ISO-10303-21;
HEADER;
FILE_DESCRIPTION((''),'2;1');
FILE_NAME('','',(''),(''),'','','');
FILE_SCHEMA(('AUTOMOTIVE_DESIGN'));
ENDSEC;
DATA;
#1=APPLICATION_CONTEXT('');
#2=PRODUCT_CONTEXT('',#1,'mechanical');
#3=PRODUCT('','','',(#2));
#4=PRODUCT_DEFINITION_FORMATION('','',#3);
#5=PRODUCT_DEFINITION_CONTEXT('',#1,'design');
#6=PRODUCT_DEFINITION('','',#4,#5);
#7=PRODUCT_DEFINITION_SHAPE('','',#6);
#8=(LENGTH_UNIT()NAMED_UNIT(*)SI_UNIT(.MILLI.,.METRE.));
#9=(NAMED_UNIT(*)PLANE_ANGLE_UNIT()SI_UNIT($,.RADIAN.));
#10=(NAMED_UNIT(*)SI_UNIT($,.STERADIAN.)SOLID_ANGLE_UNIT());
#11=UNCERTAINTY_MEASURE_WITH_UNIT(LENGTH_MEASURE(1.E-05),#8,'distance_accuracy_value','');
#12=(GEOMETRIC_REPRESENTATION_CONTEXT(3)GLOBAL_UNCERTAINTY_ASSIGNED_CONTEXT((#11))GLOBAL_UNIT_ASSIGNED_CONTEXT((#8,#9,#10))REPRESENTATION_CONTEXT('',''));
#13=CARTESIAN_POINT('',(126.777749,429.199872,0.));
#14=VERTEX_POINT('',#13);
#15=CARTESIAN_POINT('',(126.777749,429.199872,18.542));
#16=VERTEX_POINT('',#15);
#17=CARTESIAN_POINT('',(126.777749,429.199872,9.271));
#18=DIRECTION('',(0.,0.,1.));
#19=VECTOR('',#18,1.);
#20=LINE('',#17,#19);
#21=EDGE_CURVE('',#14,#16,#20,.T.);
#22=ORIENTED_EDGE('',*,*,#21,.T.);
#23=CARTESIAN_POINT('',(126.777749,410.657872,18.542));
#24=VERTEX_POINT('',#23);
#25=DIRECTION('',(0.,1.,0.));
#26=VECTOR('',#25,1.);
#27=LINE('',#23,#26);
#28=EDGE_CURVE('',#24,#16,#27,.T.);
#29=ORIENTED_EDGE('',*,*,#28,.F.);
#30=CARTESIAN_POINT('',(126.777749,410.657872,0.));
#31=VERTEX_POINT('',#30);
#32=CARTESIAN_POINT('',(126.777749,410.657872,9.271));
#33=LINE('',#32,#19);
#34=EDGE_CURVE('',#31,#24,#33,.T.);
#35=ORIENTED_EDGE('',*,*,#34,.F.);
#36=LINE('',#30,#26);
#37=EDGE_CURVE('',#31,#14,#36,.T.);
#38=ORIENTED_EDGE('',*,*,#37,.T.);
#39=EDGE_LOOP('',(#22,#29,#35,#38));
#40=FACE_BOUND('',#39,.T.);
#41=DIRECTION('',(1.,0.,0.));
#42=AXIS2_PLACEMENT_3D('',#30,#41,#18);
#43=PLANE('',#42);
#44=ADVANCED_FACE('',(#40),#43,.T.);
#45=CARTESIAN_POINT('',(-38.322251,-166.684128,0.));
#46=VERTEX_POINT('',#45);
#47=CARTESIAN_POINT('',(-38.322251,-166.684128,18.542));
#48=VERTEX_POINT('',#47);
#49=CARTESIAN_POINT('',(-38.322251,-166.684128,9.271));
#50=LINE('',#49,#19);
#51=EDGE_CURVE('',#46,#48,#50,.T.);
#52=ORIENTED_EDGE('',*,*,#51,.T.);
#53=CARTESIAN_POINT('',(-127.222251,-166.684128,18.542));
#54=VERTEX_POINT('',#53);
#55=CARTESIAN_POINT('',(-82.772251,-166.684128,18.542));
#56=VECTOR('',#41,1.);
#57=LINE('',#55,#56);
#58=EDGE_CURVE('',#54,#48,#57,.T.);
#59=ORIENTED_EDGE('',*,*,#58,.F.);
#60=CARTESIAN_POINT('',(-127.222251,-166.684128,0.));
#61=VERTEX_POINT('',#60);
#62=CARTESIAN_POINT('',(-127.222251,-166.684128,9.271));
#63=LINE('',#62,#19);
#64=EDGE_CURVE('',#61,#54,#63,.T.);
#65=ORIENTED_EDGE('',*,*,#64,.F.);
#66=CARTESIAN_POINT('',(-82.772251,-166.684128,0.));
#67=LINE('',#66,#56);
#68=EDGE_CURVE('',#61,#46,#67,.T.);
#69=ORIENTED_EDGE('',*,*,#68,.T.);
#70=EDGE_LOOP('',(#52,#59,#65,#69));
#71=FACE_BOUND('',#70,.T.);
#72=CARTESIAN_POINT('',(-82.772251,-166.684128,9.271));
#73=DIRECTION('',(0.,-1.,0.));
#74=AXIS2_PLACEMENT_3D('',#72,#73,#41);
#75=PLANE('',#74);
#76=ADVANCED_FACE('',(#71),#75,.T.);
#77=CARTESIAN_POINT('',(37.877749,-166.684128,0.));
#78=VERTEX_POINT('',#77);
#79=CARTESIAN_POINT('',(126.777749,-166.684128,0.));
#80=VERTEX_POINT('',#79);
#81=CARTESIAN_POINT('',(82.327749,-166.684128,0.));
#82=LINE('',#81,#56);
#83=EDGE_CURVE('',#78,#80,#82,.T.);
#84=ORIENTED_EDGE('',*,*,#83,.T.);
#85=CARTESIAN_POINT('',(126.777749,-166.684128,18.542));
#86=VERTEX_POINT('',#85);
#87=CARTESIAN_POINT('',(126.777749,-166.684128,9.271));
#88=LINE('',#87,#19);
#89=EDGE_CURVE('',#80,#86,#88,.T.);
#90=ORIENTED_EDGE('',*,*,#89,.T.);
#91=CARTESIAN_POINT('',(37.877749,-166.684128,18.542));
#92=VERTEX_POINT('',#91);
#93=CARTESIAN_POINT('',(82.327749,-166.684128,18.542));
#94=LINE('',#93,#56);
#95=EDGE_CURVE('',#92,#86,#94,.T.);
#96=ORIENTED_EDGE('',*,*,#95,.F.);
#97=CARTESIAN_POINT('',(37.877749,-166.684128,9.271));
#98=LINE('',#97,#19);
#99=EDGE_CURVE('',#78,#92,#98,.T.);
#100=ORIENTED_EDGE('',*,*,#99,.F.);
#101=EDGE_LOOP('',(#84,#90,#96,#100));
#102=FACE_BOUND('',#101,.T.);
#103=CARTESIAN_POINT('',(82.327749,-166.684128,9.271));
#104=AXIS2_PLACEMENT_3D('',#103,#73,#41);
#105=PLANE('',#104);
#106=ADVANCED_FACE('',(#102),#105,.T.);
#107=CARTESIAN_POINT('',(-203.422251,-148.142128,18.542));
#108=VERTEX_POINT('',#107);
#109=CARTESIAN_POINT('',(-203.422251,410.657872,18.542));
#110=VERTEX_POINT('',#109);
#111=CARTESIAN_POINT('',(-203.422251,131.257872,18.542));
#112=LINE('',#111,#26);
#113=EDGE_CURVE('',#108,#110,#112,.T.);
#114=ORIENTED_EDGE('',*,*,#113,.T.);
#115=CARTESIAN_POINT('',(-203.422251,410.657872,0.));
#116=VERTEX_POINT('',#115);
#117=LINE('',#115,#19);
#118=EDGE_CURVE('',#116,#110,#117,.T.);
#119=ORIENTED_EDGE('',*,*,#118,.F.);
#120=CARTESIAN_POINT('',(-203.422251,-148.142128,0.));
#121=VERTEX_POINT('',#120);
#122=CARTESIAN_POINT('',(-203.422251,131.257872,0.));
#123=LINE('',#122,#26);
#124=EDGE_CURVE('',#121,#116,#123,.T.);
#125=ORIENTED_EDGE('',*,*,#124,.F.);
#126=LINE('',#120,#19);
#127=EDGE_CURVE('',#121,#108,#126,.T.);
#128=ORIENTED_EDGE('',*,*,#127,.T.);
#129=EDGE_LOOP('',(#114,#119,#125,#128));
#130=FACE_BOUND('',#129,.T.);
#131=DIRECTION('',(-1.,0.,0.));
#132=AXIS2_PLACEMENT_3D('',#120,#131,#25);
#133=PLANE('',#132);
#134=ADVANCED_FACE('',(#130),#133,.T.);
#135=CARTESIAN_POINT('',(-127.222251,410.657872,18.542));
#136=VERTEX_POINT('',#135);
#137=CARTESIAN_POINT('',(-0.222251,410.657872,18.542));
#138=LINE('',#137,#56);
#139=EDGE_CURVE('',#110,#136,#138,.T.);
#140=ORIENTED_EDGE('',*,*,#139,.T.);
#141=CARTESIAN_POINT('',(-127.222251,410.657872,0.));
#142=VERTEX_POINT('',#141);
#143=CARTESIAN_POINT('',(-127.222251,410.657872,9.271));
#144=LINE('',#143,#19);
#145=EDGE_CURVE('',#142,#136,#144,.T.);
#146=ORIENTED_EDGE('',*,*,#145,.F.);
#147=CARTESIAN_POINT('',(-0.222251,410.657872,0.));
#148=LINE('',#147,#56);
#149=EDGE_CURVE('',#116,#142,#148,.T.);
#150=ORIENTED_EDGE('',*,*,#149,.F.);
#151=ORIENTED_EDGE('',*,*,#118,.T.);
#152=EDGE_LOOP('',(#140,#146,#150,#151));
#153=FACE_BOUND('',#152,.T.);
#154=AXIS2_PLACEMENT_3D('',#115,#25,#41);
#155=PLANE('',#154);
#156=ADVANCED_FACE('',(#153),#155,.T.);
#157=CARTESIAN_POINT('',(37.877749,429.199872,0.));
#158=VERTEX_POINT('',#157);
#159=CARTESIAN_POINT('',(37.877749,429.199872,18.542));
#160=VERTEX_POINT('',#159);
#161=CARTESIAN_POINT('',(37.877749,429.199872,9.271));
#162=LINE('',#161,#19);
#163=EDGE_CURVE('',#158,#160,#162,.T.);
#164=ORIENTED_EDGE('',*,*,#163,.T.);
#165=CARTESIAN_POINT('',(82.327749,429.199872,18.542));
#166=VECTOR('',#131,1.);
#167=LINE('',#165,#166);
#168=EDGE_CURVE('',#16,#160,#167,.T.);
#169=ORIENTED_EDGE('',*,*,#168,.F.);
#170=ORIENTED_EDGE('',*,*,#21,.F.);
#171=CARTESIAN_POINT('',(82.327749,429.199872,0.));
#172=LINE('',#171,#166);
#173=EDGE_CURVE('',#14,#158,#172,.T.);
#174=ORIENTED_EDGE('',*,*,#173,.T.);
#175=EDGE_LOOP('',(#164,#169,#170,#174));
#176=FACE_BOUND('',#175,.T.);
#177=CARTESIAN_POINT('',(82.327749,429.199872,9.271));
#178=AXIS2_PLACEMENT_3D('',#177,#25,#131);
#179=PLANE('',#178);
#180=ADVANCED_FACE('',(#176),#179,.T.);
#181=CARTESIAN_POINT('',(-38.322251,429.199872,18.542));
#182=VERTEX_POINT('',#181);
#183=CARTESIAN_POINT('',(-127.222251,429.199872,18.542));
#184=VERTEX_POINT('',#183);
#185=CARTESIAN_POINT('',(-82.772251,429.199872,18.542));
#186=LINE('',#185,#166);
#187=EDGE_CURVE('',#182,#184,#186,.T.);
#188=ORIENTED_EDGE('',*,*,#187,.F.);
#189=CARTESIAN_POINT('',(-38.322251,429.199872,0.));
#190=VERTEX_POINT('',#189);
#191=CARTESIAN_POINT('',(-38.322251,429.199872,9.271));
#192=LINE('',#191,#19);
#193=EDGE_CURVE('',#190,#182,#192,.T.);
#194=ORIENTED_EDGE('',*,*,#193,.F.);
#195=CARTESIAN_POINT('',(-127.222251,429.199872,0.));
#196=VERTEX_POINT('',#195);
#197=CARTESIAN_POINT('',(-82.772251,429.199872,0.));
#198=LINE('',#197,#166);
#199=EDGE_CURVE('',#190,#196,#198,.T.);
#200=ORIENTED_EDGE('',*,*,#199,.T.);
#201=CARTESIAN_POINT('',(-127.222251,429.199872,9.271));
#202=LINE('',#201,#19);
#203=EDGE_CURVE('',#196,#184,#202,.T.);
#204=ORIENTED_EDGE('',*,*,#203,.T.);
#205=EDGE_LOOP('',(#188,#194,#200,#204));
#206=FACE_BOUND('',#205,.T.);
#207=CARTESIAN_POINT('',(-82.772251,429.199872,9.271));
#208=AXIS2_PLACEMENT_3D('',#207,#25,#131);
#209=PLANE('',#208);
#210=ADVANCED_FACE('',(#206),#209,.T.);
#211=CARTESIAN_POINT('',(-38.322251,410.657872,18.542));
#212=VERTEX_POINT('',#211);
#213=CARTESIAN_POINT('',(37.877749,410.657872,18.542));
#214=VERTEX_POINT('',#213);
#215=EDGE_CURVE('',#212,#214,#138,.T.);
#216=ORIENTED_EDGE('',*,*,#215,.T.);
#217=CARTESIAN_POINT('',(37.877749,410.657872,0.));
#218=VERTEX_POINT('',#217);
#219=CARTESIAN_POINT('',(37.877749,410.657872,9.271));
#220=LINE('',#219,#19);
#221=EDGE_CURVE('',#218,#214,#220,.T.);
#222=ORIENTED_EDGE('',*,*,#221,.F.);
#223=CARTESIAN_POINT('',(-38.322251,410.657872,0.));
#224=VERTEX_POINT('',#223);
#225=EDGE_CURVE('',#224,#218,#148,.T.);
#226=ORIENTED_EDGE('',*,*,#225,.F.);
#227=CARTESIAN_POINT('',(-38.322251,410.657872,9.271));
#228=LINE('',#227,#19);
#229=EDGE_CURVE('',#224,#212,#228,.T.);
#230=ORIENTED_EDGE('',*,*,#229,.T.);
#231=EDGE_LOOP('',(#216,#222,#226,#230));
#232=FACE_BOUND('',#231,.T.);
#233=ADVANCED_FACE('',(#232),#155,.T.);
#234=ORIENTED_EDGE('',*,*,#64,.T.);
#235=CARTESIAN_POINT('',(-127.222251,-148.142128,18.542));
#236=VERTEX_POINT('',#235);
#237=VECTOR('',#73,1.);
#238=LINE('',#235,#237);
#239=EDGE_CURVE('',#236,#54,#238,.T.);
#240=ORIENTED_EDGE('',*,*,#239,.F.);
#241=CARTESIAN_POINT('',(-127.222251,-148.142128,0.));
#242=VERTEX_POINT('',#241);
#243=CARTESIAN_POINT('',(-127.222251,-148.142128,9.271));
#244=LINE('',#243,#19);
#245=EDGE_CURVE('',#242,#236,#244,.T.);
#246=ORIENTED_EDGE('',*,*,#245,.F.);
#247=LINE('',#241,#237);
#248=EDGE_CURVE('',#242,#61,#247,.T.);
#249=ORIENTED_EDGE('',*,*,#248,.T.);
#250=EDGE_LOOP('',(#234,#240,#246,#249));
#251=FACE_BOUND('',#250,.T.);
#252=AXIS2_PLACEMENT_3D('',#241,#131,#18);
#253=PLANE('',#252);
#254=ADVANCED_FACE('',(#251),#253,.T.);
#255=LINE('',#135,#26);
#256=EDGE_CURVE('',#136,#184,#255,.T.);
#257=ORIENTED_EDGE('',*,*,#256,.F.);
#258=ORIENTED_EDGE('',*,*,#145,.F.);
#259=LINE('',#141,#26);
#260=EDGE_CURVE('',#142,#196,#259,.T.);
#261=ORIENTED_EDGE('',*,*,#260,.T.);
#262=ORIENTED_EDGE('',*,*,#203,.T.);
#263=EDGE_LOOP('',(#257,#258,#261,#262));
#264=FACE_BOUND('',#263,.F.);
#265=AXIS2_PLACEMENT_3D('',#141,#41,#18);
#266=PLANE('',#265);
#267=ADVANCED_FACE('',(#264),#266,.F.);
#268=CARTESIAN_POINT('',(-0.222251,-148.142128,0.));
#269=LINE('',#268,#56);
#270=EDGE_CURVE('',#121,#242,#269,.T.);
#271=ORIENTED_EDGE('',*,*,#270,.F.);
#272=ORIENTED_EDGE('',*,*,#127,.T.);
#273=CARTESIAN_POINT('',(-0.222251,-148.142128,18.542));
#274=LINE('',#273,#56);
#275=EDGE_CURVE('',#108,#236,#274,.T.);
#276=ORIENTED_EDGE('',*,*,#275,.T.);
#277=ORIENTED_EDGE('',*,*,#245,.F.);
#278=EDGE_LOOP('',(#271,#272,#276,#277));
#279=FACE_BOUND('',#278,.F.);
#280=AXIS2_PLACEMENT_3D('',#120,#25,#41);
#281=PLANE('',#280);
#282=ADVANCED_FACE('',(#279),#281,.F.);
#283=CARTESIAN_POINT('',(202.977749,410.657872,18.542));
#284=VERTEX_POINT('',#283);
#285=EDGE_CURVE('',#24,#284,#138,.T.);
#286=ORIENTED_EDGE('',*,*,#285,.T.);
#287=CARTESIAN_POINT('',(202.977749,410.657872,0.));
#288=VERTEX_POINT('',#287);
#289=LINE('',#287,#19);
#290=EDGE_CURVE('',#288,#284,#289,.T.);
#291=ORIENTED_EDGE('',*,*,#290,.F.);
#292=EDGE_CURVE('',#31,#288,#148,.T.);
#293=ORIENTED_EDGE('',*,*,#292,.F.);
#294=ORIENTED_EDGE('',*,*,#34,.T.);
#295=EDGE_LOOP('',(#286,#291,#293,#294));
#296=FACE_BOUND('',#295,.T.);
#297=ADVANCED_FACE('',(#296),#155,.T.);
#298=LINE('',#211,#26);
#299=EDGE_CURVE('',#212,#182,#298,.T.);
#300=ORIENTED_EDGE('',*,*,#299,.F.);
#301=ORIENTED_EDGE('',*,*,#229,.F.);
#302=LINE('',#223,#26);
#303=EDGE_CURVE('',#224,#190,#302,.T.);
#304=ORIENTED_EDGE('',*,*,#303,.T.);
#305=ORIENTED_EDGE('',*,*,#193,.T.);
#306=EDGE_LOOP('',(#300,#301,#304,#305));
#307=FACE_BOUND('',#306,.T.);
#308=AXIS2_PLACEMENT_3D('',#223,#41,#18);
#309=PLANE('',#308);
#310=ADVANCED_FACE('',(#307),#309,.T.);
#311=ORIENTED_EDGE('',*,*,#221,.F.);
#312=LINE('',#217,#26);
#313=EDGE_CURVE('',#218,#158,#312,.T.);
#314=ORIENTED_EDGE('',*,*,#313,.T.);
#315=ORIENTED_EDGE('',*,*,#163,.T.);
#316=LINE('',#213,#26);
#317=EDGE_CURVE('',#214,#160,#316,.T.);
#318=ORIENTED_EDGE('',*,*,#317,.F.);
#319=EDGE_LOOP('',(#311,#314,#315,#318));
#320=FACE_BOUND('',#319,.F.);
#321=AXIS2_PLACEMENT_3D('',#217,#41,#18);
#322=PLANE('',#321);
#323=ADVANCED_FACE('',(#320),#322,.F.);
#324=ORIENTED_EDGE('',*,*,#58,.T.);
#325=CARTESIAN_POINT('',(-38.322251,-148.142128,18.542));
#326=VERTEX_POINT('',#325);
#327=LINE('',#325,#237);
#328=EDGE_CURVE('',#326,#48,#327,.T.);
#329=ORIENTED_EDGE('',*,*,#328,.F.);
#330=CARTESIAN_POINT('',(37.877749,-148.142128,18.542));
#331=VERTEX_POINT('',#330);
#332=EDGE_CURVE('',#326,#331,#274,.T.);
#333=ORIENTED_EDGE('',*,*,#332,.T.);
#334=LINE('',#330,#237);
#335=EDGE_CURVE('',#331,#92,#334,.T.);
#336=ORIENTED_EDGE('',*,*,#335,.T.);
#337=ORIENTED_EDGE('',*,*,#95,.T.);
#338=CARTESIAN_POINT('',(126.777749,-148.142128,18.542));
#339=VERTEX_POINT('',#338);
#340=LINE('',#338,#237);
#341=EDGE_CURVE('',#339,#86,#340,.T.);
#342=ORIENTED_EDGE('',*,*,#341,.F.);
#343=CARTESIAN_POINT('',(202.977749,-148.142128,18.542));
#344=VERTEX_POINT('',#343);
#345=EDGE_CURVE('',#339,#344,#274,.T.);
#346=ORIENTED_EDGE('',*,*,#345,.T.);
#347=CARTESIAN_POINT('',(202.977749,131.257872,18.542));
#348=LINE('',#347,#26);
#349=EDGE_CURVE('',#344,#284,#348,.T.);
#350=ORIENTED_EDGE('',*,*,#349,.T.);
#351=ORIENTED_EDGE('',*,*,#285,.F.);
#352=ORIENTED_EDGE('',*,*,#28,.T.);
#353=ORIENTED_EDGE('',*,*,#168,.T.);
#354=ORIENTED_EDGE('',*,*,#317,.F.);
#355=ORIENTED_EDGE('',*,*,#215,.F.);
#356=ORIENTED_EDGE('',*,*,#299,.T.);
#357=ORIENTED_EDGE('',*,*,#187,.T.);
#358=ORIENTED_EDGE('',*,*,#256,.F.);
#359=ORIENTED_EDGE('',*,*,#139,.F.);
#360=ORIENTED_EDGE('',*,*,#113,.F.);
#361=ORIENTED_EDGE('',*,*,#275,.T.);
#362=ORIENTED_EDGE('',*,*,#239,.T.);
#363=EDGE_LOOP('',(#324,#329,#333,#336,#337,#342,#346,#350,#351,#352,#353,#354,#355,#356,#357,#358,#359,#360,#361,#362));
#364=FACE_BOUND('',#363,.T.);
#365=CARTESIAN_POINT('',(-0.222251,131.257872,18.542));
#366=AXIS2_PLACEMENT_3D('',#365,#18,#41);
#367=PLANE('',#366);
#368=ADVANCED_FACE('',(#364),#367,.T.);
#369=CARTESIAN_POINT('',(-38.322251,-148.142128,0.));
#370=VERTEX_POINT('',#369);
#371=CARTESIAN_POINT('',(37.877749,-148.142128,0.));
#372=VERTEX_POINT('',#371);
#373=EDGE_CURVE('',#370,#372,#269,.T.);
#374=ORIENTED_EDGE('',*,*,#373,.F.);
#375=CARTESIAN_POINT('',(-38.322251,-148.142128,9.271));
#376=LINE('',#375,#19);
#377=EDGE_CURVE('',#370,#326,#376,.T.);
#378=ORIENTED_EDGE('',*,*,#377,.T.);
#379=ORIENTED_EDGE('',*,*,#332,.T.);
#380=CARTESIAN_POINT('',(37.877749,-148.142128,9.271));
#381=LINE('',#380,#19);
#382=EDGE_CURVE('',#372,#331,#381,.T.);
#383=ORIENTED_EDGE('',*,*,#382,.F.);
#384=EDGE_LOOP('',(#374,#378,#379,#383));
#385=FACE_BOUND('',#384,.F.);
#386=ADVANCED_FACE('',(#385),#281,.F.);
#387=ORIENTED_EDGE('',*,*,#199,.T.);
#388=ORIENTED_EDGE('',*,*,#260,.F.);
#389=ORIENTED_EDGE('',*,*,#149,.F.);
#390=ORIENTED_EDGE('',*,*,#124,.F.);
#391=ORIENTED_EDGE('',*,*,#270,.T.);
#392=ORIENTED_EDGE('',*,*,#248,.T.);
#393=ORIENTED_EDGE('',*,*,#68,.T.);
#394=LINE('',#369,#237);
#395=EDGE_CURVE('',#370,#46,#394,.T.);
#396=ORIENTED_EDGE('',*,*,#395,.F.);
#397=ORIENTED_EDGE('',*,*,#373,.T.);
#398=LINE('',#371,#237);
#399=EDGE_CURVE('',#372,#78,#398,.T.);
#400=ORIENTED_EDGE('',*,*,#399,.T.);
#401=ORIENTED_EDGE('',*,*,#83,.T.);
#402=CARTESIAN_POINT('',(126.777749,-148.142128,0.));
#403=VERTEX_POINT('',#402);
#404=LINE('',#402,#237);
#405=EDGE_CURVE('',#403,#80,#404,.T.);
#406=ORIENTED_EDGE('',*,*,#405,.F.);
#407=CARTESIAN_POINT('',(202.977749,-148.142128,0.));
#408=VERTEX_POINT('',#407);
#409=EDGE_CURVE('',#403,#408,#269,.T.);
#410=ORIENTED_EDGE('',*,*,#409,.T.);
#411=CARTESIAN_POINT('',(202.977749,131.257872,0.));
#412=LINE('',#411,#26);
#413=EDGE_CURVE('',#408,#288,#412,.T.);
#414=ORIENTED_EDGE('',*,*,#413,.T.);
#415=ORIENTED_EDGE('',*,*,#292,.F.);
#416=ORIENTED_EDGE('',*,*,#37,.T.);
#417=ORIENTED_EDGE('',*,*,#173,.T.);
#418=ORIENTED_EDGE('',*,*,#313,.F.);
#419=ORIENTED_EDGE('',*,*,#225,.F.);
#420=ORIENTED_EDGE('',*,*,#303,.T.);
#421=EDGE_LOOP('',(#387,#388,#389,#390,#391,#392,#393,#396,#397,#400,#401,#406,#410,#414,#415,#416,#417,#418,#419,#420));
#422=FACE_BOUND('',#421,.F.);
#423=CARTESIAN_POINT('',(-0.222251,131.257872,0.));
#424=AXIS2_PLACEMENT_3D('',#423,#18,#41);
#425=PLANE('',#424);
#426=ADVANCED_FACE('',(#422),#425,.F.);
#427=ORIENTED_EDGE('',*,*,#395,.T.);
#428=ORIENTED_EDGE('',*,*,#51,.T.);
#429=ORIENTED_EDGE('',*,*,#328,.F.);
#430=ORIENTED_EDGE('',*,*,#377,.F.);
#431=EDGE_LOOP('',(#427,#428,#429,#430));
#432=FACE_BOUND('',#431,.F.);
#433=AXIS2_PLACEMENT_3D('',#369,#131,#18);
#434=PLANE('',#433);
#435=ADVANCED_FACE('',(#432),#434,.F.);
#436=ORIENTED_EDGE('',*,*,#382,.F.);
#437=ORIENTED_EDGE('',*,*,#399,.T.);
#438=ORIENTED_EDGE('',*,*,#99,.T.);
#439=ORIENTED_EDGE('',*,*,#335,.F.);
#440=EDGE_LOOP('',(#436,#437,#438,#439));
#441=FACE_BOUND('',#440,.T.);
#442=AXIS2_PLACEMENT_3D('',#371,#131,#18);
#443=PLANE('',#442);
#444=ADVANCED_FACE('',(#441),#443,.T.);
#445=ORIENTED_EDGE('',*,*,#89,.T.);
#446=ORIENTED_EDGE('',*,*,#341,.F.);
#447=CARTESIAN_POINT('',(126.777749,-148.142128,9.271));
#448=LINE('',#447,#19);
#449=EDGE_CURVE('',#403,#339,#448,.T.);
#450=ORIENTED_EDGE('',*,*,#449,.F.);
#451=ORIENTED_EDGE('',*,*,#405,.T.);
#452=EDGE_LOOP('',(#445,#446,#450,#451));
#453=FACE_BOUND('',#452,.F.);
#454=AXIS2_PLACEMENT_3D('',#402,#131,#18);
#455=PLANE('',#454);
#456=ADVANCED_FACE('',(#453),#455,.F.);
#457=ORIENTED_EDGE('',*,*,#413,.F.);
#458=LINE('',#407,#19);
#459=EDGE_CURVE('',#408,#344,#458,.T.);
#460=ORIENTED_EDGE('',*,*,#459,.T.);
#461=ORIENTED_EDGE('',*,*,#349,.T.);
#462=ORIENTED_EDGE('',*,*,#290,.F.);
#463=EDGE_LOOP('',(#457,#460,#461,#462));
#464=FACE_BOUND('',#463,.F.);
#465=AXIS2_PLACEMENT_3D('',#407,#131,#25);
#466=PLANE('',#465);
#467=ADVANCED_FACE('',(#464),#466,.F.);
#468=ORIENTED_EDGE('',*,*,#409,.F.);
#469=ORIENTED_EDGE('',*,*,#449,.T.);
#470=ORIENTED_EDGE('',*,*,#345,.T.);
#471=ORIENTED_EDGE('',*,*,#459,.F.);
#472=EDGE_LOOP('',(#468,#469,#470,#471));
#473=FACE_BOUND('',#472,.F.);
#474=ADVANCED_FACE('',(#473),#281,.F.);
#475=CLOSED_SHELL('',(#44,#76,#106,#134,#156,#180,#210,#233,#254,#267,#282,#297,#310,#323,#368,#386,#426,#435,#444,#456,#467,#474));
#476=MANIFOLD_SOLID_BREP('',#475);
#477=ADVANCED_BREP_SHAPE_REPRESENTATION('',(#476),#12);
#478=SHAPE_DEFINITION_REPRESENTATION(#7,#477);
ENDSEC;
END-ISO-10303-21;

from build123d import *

# Parameters (mm, degrees)
F0_W     = 406.4
F0_H     = 558.8
F1_DEPTH = 18.542
F2_W     = 88.9
F2_H     = 18.542
F3_DEPTH = 18.542
F4_W     = 88.9
F4_H     = 18.542
F5_DEPTH = 18.542


with BuildPart() as f1:
    # F0 (on Top) → F1 (new body)
    with BuildSketch(Plane.XY):
        with Locations((-0.222251, 131.257872)):
            Rectangle(F0_W, F0_H)
    extrude(amount=F1_DEPTH)

    # F2 (on face) → F3 (join)
    with BuildSketch(Plane.XZ.offset(148.142128)):
        with Locations((-82.772251, 9.271)):
            Rectangle(F2_W, F2_H)
        with Locations((82.327749, 9.271)):
            Rectangle(F2_W, F2_H)
    extrude(amount=F3_DEPTH)

    # F4 (on face) → F5 (join)
    with BuildSketch(Plane(origin=(0, 410.657872, 0), x_dir=(-1, 0, 0), z_dir=(0, 1, 0))):
        with Locations((-82.327749, 9.271)):
            Rectangle(F4_W, F4_H)
        with Locations((82.772251, 9.271)):
            Rectangle(F4_W, F4_H)
    extrude(amount=F5_DEPTH)


solid = f1.part
